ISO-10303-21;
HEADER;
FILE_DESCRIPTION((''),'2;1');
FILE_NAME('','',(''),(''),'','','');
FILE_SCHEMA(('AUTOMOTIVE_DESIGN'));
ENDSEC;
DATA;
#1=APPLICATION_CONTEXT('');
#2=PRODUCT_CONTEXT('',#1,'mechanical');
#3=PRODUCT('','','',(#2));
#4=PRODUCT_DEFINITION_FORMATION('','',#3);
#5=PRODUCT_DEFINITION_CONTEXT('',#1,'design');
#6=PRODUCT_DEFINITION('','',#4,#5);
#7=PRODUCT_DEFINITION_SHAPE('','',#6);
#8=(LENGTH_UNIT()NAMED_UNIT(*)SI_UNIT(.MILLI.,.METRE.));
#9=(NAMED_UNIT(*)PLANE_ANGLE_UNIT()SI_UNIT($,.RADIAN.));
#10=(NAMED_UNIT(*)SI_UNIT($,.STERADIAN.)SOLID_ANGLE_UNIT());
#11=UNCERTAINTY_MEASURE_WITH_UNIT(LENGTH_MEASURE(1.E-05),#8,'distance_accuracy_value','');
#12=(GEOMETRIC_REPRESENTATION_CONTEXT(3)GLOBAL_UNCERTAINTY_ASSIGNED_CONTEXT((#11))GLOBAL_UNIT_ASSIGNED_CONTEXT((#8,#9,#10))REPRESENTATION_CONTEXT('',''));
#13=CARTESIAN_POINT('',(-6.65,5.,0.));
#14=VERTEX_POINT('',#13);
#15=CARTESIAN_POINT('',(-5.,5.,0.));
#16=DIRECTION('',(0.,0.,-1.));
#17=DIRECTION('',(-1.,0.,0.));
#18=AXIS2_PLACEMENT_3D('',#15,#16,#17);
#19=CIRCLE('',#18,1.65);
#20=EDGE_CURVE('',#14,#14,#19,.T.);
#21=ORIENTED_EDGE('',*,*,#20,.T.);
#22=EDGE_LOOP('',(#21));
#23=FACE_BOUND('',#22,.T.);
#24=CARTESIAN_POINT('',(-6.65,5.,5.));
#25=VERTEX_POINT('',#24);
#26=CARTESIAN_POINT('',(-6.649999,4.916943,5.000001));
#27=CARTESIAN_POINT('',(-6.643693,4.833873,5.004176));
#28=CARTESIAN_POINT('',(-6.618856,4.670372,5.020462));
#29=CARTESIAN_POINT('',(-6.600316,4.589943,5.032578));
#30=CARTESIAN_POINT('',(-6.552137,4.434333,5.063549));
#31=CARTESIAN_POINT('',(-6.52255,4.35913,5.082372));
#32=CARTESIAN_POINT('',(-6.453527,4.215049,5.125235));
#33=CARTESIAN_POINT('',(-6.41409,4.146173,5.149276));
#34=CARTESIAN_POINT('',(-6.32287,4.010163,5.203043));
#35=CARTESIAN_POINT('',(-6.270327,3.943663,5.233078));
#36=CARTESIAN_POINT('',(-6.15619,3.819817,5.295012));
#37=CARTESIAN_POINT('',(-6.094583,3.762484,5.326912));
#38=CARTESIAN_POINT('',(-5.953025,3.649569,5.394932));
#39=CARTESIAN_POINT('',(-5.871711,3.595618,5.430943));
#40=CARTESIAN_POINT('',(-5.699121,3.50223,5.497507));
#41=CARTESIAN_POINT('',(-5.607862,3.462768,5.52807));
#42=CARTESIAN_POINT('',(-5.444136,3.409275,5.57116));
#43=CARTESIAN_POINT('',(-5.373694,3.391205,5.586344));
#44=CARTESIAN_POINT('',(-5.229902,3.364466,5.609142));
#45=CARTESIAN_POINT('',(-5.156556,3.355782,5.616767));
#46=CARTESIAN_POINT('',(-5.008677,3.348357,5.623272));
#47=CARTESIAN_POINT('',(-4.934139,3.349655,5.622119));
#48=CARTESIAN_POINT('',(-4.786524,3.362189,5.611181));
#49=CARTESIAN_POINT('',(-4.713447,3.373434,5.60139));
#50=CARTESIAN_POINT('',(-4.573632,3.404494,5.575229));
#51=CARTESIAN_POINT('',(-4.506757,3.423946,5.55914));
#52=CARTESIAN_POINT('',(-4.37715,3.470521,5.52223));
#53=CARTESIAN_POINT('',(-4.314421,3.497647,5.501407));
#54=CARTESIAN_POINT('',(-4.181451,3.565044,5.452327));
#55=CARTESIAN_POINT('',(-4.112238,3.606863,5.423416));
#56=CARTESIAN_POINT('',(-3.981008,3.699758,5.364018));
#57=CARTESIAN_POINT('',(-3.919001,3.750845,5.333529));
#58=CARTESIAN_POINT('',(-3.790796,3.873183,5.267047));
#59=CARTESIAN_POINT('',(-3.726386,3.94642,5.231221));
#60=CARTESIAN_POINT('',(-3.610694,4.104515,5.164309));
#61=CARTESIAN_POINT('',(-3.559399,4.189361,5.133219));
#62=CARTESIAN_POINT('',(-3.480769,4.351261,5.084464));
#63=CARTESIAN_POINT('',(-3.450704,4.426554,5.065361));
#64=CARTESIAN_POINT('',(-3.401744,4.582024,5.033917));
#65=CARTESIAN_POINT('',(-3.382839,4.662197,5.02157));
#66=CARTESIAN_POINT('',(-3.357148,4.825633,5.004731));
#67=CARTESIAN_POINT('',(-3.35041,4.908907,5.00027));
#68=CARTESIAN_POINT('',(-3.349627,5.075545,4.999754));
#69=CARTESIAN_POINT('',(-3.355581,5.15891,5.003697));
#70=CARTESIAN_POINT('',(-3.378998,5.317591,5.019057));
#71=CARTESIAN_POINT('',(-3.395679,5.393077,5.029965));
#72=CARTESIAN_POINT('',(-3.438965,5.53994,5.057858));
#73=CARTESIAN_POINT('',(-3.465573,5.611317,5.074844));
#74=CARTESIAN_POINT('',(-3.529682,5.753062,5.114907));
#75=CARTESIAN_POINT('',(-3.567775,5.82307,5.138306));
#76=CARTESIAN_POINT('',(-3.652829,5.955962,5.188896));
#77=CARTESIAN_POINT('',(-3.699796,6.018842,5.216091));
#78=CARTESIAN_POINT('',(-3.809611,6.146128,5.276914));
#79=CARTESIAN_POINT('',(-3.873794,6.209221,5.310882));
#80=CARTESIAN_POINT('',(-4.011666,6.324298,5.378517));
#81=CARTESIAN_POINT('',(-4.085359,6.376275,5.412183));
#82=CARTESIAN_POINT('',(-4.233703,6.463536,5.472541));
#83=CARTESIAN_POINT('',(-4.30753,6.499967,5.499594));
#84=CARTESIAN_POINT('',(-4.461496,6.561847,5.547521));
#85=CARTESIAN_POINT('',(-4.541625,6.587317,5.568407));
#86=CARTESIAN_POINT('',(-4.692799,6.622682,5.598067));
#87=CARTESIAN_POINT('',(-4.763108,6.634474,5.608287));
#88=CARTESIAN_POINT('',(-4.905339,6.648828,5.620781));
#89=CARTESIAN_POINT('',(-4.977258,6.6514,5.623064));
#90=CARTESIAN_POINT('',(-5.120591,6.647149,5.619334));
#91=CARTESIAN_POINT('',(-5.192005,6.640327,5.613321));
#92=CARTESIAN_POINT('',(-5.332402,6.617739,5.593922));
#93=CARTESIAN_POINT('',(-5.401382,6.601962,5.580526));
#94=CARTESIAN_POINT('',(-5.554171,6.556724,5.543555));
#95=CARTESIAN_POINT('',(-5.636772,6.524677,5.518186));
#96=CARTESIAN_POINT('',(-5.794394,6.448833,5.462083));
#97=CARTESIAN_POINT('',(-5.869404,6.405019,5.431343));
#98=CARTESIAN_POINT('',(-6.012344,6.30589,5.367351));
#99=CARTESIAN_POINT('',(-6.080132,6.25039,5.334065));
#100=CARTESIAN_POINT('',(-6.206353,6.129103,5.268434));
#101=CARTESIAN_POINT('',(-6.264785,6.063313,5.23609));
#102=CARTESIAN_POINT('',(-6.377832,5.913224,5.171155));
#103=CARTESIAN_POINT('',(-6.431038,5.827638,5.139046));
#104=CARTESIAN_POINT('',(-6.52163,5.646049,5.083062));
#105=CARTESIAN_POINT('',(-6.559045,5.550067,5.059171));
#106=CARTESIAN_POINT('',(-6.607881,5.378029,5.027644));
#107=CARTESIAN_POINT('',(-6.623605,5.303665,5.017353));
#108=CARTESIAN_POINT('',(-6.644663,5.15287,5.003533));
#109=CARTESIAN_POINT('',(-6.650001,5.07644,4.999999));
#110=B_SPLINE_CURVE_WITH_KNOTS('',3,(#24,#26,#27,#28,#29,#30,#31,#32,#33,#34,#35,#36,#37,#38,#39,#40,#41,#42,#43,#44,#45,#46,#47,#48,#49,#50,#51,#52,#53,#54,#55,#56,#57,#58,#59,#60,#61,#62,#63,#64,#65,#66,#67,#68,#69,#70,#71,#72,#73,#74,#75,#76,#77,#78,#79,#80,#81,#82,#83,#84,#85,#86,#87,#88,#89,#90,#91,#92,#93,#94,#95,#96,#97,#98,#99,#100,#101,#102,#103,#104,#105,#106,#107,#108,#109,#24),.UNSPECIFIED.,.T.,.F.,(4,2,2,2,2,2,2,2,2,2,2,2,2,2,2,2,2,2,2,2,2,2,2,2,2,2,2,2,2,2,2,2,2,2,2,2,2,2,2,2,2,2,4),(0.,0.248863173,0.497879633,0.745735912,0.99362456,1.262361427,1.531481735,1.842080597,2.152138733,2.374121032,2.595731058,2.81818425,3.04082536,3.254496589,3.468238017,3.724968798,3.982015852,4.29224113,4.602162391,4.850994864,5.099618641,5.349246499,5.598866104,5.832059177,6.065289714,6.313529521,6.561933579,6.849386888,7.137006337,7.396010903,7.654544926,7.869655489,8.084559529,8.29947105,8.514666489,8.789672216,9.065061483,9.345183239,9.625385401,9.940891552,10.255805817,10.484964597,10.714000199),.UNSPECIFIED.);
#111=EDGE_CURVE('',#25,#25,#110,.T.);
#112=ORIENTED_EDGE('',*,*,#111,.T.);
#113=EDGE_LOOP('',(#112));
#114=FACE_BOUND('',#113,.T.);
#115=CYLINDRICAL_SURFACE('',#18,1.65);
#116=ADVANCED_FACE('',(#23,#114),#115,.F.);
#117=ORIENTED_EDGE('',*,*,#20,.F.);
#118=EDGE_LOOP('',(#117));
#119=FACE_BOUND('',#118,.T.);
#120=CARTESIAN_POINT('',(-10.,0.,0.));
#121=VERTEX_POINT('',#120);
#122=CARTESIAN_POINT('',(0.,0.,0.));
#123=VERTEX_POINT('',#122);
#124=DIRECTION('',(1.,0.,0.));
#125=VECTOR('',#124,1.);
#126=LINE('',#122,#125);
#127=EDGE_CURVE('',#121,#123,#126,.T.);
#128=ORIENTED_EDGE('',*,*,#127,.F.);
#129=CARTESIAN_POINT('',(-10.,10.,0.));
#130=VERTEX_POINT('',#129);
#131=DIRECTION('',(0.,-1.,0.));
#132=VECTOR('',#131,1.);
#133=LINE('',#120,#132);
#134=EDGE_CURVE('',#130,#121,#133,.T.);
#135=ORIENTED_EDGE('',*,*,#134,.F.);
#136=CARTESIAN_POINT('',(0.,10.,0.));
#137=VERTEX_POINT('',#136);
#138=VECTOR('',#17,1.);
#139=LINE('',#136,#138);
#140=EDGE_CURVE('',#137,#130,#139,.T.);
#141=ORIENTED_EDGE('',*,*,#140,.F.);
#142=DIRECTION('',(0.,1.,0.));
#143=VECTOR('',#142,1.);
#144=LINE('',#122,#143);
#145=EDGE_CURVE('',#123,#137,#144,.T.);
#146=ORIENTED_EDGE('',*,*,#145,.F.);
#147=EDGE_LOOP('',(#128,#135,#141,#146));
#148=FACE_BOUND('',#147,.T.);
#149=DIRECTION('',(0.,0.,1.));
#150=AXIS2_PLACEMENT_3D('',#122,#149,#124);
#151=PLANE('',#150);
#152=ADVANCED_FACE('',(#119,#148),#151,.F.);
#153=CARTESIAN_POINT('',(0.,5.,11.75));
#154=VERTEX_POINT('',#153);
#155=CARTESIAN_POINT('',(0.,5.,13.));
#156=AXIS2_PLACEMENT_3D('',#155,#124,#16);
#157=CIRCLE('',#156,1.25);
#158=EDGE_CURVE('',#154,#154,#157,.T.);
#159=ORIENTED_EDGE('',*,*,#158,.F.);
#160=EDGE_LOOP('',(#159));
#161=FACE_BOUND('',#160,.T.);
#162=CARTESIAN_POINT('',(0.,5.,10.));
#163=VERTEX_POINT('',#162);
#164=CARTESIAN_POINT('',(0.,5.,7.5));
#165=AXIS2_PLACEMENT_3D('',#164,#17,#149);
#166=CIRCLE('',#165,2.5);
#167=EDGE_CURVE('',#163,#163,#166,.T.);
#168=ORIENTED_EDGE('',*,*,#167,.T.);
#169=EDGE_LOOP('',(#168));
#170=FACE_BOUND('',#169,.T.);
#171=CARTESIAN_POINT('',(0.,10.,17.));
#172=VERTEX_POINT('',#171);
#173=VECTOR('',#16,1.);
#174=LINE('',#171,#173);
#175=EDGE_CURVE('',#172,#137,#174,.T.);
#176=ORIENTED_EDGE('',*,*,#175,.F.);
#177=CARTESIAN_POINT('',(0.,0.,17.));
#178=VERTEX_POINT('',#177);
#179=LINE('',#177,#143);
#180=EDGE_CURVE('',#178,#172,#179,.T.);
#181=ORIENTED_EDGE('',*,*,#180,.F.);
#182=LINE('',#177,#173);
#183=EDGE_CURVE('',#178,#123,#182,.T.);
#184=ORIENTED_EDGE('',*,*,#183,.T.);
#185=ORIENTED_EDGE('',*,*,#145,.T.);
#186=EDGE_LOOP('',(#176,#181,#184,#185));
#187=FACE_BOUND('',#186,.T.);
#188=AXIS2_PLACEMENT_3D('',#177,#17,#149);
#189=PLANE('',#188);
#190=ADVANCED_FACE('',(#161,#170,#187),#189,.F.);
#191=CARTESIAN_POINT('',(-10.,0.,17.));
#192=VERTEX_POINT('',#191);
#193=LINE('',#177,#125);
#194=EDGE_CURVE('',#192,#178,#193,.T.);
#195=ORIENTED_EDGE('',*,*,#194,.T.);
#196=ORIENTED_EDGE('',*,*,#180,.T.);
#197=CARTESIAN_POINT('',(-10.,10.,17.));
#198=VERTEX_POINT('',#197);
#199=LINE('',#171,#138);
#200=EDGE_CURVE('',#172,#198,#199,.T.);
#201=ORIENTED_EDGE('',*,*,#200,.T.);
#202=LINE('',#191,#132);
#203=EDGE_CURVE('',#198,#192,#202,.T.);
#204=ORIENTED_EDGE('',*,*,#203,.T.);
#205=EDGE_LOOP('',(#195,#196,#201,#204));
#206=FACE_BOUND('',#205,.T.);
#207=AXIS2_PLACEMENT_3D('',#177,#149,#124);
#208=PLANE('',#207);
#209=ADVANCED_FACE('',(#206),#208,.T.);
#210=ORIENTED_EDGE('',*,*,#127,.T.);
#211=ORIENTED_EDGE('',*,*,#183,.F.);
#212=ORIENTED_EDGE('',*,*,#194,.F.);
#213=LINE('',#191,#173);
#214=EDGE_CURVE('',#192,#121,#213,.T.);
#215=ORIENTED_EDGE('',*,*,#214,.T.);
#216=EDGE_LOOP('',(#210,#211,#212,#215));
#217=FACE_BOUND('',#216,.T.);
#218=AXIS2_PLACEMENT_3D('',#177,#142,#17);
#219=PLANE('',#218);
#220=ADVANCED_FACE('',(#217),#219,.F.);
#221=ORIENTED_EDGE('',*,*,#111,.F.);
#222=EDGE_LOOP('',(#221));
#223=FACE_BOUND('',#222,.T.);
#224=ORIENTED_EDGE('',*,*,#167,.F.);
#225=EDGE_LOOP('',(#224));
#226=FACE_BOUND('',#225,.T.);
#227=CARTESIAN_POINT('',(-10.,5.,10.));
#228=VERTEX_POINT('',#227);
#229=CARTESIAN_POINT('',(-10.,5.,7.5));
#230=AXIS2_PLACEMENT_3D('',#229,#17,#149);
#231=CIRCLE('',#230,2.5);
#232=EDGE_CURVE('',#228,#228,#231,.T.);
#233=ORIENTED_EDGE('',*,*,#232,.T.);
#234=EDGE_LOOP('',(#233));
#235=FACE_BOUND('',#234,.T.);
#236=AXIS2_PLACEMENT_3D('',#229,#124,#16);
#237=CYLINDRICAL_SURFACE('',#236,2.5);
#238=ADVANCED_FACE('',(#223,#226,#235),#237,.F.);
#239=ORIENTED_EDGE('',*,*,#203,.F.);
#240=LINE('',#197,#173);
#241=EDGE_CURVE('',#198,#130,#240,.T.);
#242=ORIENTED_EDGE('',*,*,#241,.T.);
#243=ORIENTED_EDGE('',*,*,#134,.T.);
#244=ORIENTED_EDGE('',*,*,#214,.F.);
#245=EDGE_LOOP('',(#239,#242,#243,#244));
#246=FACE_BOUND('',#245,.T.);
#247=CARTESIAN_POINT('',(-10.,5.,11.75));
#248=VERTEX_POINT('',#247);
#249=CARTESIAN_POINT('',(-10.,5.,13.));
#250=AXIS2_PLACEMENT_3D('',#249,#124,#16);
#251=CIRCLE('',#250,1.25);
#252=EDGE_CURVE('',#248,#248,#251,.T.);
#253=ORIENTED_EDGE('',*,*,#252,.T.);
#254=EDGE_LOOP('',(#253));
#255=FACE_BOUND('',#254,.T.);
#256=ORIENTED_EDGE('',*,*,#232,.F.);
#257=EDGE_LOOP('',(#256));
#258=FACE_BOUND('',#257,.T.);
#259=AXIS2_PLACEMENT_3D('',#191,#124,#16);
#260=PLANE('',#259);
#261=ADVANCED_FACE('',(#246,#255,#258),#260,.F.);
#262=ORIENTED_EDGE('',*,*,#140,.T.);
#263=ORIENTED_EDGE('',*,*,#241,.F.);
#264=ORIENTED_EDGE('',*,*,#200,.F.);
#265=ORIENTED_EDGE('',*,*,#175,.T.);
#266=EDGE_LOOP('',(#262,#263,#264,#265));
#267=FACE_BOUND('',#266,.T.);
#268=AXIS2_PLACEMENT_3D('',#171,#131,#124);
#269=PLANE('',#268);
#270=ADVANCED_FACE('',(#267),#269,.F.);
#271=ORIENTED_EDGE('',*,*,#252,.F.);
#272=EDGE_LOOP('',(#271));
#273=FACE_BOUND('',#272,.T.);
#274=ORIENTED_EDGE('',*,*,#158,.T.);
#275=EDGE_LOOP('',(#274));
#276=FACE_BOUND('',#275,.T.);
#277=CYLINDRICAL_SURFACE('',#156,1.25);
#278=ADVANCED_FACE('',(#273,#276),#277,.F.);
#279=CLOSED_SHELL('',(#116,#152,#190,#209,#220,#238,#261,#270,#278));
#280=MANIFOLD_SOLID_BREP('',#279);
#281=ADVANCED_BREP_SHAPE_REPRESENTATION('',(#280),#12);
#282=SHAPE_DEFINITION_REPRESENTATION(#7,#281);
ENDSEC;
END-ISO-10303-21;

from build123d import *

# Parameters (mm, degrees)
ESQUISSE1_W               = 10
ESQUISSE1_H               = 10
EXTRUSION1_DEPTH          = 17
ESQUISSE2_R               = 2.5
ENL_V_MAT_EXTRU_1_DEPTH   = 11
TROU_TARAUD_M3X0_51_D     = 2.5
TROU_TARAUD_M4X0_71_D     = 3.3
TROU_TARAUD_M4X0_71_DEPTH = 8
TROU_TARAUD_M4X0_71_TIP   = 0.991420021


with BuildPart() as part:
    # Esquisse1 → Extrusion1 (new body)
    with BuildSketch(Plane.XY):
        with Locations((-5, 5)):
            Rectangle(ESQUISSE1_W, ESQUISSE1_H)
    extrude(amount=EXTRUSION1_DEPTH)

    # Esquisse2 → Enlèv. mat.-Extru.1 (cut, through all)
    with BuildSketch(Plane(origin=(0, 0, 0), x_dir=(0, 0, -1), z_dir=(1, 0, 0))):
        with Locations(Location((-7.5, 5, 0), (0, 0, 180))):  # turned: the seam where the file's is
            Circle(ESQUISSE2_R)
    extrude(amount=-ENL_V_MAT_EXTRU_1_DEPTH, mode=Mode.SUBTRACT)

    # Trou taraudé M3x0.51 (through all)
    with Locations(Plane(origin=(0, 5, 13), x_dir=(0, 0, 1), z_dir=(1, 0, 0))):
        with Locations((0, 0)):
            Hole(TROU_TARAUD_M3X0_51_D / 2)

    # Trou taraudé M4x0.71
    with Locations(Plane(origin=(-5, 5, 0), x_dir=(-1, 0, 0), z_dir=(0, 0, -1))):
        with Locations((0, 0)):
            Hole(TROU_TARAUD_M4X0_71_D / 2, depth=TROU_TARAUD_M4X0_71_DEPTH)
            with Locations((0, 0, -(TROU_TARAUD_M4X0_71_DEPTH + TROU_TARAUD_M4X0_71_TIP / 2))):  # 118° drill point
                Cone(0, TROU_TARAUD_M4X0_71_D / 2, TROU_TARAUD_M4X0_71_TIP, mode=Mode.SUBTRACT)


solid = part.part
